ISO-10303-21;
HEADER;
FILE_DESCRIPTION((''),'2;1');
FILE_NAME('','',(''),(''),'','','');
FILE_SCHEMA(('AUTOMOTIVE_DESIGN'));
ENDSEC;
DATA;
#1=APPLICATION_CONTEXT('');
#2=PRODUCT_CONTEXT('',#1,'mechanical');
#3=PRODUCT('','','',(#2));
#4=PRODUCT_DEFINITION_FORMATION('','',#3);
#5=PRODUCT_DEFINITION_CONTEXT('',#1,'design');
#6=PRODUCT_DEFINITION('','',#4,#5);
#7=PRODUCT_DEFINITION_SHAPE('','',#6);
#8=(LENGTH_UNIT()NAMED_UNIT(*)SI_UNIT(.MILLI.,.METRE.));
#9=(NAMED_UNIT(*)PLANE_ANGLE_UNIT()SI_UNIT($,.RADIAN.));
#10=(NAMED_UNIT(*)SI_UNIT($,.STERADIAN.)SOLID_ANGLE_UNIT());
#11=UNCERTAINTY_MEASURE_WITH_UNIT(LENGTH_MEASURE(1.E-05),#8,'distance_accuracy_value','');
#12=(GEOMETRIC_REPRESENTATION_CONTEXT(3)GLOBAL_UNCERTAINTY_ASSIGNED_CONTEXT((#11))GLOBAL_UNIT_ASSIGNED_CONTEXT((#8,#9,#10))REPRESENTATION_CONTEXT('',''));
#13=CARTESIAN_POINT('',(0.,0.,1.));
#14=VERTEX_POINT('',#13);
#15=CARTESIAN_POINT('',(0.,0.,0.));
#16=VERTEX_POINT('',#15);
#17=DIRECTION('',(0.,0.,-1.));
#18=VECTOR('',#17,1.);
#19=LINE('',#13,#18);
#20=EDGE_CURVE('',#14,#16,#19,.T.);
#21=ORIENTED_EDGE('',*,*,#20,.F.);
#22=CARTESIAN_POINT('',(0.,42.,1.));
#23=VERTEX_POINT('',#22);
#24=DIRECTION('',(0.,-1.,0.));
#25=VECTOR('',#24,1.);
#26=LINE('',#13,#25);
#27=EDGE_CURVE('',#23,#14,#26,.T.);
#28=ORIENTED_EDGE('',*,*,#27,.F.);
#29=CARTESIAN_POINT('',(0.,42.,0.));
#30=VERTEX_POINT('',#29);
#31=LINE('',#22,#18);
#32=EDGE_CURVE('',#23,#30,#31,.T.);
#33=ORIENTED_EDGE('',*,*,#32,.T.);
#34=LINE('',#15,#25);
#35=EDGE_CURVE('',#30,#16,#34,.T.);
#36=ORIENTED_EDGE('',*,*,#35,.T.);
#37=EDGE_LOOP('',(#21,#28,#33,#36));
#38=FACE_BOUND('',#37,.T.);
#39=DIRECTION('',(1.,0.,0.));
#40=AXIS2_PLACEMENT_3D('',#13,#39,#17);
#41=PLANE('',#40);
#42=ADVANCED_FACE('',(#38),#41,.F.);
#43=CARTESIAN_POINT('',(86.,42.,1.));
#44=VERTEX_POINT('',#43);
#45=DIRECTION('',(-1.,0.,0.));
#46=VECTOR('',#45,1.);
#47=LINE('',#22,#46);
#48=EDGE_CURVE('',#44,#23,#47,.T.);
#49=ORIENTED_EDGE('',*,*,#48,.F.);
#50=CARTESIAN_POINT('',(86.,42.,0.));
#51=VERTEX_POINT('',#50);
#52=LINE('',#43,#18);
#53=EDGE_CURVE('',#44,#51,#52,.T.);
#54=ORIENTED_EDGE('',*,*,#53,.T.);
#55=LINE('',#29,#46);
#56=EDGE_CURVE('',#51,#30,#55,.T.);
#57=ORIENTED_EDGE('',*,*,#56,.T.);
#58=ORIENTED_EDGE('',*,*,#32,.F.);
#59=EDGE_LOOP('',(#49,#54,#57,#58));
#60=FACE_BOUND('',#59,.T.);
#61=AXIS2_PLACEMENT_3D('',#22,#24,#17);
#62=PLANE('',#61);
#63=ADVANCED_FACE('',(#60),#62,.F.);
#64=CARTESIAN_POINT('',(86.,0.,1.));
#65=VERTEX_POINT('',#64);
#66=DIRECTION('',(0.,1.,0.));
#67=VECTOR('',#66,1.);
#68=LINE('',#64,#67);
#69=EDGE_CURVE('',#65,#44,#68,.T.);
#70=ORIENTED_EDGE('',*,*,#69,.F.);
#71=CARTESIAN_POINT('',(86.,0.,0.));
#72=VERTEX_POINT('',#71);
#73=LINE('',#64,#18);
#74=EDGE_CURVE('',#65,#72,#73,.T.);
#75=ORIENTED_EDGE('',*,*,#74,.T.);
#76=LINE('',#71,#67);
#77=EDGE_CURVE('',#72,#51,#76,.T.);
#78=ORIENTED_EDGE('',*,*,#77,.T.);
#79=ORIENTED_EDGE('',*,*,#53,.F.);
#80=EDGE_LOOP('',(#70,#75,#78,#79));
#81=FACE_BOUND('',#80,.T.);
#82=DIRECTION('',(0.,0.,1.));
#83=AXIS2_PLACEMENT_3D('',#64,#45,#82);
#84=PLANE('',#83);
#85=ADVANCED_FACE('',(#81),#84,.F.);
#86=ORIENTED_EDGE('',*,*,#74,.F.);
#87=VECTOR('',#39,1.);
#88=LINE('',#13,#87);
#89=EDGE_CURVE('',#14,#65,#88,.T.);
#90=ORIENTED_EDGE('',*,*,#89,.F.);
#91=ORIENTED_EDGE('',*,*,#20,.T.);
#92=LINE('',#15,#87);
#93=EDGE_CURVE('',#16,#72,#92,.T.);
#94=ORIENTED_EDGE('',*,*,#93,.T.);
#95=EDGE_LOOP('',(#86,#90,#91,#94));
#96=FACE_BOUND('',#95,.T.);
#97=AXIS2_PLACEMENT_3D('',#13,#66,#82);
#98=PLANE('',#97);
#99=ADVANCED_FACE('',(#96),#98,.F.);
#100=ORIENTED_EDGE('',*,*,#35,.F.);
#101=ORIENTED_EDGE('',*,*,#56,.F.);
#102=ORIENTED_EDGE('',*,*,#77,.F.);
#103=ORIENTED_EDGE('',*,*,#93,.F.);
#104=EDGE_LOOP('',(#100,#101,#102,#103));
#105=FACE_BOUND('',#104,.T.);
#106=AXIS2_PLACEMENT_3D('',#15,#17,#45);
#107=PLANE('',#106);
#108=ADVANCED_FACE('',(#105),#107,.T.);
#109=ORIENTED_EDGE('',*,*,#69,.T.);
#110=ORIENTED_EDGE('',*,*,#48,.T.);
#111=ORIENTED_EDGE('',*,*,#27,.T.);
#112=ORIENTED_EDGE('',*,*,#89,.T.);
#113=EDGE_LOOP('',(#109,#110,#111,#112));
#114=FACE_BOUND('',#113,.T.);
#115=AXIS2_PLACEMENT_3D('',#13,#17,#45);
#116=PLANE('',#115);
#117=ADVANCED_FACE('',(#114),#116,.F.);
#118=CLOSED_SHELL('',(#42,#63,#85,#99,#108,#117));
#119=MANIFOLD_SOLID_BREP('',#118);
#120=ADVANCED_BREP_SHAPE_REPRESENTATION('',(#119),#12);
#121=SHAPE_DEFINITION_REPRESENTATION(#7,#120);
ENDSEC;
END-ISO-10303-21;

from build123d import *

# Parameters (mm, degrees)
SKETCH1_W     = 86
SKETCH1_H     = 42
PROFILE_DEPTH = 1


with BuildPart() as part:
    # Sketch1 → Profile (new body)
    with BuildSketch(Plane.XY):
        with Locations((43, 21)):
            Rectangle(SKETCH1_W, SKETCH1_H)
    extrude(amount=PROFILE_DEPTH)


solid = part.part
